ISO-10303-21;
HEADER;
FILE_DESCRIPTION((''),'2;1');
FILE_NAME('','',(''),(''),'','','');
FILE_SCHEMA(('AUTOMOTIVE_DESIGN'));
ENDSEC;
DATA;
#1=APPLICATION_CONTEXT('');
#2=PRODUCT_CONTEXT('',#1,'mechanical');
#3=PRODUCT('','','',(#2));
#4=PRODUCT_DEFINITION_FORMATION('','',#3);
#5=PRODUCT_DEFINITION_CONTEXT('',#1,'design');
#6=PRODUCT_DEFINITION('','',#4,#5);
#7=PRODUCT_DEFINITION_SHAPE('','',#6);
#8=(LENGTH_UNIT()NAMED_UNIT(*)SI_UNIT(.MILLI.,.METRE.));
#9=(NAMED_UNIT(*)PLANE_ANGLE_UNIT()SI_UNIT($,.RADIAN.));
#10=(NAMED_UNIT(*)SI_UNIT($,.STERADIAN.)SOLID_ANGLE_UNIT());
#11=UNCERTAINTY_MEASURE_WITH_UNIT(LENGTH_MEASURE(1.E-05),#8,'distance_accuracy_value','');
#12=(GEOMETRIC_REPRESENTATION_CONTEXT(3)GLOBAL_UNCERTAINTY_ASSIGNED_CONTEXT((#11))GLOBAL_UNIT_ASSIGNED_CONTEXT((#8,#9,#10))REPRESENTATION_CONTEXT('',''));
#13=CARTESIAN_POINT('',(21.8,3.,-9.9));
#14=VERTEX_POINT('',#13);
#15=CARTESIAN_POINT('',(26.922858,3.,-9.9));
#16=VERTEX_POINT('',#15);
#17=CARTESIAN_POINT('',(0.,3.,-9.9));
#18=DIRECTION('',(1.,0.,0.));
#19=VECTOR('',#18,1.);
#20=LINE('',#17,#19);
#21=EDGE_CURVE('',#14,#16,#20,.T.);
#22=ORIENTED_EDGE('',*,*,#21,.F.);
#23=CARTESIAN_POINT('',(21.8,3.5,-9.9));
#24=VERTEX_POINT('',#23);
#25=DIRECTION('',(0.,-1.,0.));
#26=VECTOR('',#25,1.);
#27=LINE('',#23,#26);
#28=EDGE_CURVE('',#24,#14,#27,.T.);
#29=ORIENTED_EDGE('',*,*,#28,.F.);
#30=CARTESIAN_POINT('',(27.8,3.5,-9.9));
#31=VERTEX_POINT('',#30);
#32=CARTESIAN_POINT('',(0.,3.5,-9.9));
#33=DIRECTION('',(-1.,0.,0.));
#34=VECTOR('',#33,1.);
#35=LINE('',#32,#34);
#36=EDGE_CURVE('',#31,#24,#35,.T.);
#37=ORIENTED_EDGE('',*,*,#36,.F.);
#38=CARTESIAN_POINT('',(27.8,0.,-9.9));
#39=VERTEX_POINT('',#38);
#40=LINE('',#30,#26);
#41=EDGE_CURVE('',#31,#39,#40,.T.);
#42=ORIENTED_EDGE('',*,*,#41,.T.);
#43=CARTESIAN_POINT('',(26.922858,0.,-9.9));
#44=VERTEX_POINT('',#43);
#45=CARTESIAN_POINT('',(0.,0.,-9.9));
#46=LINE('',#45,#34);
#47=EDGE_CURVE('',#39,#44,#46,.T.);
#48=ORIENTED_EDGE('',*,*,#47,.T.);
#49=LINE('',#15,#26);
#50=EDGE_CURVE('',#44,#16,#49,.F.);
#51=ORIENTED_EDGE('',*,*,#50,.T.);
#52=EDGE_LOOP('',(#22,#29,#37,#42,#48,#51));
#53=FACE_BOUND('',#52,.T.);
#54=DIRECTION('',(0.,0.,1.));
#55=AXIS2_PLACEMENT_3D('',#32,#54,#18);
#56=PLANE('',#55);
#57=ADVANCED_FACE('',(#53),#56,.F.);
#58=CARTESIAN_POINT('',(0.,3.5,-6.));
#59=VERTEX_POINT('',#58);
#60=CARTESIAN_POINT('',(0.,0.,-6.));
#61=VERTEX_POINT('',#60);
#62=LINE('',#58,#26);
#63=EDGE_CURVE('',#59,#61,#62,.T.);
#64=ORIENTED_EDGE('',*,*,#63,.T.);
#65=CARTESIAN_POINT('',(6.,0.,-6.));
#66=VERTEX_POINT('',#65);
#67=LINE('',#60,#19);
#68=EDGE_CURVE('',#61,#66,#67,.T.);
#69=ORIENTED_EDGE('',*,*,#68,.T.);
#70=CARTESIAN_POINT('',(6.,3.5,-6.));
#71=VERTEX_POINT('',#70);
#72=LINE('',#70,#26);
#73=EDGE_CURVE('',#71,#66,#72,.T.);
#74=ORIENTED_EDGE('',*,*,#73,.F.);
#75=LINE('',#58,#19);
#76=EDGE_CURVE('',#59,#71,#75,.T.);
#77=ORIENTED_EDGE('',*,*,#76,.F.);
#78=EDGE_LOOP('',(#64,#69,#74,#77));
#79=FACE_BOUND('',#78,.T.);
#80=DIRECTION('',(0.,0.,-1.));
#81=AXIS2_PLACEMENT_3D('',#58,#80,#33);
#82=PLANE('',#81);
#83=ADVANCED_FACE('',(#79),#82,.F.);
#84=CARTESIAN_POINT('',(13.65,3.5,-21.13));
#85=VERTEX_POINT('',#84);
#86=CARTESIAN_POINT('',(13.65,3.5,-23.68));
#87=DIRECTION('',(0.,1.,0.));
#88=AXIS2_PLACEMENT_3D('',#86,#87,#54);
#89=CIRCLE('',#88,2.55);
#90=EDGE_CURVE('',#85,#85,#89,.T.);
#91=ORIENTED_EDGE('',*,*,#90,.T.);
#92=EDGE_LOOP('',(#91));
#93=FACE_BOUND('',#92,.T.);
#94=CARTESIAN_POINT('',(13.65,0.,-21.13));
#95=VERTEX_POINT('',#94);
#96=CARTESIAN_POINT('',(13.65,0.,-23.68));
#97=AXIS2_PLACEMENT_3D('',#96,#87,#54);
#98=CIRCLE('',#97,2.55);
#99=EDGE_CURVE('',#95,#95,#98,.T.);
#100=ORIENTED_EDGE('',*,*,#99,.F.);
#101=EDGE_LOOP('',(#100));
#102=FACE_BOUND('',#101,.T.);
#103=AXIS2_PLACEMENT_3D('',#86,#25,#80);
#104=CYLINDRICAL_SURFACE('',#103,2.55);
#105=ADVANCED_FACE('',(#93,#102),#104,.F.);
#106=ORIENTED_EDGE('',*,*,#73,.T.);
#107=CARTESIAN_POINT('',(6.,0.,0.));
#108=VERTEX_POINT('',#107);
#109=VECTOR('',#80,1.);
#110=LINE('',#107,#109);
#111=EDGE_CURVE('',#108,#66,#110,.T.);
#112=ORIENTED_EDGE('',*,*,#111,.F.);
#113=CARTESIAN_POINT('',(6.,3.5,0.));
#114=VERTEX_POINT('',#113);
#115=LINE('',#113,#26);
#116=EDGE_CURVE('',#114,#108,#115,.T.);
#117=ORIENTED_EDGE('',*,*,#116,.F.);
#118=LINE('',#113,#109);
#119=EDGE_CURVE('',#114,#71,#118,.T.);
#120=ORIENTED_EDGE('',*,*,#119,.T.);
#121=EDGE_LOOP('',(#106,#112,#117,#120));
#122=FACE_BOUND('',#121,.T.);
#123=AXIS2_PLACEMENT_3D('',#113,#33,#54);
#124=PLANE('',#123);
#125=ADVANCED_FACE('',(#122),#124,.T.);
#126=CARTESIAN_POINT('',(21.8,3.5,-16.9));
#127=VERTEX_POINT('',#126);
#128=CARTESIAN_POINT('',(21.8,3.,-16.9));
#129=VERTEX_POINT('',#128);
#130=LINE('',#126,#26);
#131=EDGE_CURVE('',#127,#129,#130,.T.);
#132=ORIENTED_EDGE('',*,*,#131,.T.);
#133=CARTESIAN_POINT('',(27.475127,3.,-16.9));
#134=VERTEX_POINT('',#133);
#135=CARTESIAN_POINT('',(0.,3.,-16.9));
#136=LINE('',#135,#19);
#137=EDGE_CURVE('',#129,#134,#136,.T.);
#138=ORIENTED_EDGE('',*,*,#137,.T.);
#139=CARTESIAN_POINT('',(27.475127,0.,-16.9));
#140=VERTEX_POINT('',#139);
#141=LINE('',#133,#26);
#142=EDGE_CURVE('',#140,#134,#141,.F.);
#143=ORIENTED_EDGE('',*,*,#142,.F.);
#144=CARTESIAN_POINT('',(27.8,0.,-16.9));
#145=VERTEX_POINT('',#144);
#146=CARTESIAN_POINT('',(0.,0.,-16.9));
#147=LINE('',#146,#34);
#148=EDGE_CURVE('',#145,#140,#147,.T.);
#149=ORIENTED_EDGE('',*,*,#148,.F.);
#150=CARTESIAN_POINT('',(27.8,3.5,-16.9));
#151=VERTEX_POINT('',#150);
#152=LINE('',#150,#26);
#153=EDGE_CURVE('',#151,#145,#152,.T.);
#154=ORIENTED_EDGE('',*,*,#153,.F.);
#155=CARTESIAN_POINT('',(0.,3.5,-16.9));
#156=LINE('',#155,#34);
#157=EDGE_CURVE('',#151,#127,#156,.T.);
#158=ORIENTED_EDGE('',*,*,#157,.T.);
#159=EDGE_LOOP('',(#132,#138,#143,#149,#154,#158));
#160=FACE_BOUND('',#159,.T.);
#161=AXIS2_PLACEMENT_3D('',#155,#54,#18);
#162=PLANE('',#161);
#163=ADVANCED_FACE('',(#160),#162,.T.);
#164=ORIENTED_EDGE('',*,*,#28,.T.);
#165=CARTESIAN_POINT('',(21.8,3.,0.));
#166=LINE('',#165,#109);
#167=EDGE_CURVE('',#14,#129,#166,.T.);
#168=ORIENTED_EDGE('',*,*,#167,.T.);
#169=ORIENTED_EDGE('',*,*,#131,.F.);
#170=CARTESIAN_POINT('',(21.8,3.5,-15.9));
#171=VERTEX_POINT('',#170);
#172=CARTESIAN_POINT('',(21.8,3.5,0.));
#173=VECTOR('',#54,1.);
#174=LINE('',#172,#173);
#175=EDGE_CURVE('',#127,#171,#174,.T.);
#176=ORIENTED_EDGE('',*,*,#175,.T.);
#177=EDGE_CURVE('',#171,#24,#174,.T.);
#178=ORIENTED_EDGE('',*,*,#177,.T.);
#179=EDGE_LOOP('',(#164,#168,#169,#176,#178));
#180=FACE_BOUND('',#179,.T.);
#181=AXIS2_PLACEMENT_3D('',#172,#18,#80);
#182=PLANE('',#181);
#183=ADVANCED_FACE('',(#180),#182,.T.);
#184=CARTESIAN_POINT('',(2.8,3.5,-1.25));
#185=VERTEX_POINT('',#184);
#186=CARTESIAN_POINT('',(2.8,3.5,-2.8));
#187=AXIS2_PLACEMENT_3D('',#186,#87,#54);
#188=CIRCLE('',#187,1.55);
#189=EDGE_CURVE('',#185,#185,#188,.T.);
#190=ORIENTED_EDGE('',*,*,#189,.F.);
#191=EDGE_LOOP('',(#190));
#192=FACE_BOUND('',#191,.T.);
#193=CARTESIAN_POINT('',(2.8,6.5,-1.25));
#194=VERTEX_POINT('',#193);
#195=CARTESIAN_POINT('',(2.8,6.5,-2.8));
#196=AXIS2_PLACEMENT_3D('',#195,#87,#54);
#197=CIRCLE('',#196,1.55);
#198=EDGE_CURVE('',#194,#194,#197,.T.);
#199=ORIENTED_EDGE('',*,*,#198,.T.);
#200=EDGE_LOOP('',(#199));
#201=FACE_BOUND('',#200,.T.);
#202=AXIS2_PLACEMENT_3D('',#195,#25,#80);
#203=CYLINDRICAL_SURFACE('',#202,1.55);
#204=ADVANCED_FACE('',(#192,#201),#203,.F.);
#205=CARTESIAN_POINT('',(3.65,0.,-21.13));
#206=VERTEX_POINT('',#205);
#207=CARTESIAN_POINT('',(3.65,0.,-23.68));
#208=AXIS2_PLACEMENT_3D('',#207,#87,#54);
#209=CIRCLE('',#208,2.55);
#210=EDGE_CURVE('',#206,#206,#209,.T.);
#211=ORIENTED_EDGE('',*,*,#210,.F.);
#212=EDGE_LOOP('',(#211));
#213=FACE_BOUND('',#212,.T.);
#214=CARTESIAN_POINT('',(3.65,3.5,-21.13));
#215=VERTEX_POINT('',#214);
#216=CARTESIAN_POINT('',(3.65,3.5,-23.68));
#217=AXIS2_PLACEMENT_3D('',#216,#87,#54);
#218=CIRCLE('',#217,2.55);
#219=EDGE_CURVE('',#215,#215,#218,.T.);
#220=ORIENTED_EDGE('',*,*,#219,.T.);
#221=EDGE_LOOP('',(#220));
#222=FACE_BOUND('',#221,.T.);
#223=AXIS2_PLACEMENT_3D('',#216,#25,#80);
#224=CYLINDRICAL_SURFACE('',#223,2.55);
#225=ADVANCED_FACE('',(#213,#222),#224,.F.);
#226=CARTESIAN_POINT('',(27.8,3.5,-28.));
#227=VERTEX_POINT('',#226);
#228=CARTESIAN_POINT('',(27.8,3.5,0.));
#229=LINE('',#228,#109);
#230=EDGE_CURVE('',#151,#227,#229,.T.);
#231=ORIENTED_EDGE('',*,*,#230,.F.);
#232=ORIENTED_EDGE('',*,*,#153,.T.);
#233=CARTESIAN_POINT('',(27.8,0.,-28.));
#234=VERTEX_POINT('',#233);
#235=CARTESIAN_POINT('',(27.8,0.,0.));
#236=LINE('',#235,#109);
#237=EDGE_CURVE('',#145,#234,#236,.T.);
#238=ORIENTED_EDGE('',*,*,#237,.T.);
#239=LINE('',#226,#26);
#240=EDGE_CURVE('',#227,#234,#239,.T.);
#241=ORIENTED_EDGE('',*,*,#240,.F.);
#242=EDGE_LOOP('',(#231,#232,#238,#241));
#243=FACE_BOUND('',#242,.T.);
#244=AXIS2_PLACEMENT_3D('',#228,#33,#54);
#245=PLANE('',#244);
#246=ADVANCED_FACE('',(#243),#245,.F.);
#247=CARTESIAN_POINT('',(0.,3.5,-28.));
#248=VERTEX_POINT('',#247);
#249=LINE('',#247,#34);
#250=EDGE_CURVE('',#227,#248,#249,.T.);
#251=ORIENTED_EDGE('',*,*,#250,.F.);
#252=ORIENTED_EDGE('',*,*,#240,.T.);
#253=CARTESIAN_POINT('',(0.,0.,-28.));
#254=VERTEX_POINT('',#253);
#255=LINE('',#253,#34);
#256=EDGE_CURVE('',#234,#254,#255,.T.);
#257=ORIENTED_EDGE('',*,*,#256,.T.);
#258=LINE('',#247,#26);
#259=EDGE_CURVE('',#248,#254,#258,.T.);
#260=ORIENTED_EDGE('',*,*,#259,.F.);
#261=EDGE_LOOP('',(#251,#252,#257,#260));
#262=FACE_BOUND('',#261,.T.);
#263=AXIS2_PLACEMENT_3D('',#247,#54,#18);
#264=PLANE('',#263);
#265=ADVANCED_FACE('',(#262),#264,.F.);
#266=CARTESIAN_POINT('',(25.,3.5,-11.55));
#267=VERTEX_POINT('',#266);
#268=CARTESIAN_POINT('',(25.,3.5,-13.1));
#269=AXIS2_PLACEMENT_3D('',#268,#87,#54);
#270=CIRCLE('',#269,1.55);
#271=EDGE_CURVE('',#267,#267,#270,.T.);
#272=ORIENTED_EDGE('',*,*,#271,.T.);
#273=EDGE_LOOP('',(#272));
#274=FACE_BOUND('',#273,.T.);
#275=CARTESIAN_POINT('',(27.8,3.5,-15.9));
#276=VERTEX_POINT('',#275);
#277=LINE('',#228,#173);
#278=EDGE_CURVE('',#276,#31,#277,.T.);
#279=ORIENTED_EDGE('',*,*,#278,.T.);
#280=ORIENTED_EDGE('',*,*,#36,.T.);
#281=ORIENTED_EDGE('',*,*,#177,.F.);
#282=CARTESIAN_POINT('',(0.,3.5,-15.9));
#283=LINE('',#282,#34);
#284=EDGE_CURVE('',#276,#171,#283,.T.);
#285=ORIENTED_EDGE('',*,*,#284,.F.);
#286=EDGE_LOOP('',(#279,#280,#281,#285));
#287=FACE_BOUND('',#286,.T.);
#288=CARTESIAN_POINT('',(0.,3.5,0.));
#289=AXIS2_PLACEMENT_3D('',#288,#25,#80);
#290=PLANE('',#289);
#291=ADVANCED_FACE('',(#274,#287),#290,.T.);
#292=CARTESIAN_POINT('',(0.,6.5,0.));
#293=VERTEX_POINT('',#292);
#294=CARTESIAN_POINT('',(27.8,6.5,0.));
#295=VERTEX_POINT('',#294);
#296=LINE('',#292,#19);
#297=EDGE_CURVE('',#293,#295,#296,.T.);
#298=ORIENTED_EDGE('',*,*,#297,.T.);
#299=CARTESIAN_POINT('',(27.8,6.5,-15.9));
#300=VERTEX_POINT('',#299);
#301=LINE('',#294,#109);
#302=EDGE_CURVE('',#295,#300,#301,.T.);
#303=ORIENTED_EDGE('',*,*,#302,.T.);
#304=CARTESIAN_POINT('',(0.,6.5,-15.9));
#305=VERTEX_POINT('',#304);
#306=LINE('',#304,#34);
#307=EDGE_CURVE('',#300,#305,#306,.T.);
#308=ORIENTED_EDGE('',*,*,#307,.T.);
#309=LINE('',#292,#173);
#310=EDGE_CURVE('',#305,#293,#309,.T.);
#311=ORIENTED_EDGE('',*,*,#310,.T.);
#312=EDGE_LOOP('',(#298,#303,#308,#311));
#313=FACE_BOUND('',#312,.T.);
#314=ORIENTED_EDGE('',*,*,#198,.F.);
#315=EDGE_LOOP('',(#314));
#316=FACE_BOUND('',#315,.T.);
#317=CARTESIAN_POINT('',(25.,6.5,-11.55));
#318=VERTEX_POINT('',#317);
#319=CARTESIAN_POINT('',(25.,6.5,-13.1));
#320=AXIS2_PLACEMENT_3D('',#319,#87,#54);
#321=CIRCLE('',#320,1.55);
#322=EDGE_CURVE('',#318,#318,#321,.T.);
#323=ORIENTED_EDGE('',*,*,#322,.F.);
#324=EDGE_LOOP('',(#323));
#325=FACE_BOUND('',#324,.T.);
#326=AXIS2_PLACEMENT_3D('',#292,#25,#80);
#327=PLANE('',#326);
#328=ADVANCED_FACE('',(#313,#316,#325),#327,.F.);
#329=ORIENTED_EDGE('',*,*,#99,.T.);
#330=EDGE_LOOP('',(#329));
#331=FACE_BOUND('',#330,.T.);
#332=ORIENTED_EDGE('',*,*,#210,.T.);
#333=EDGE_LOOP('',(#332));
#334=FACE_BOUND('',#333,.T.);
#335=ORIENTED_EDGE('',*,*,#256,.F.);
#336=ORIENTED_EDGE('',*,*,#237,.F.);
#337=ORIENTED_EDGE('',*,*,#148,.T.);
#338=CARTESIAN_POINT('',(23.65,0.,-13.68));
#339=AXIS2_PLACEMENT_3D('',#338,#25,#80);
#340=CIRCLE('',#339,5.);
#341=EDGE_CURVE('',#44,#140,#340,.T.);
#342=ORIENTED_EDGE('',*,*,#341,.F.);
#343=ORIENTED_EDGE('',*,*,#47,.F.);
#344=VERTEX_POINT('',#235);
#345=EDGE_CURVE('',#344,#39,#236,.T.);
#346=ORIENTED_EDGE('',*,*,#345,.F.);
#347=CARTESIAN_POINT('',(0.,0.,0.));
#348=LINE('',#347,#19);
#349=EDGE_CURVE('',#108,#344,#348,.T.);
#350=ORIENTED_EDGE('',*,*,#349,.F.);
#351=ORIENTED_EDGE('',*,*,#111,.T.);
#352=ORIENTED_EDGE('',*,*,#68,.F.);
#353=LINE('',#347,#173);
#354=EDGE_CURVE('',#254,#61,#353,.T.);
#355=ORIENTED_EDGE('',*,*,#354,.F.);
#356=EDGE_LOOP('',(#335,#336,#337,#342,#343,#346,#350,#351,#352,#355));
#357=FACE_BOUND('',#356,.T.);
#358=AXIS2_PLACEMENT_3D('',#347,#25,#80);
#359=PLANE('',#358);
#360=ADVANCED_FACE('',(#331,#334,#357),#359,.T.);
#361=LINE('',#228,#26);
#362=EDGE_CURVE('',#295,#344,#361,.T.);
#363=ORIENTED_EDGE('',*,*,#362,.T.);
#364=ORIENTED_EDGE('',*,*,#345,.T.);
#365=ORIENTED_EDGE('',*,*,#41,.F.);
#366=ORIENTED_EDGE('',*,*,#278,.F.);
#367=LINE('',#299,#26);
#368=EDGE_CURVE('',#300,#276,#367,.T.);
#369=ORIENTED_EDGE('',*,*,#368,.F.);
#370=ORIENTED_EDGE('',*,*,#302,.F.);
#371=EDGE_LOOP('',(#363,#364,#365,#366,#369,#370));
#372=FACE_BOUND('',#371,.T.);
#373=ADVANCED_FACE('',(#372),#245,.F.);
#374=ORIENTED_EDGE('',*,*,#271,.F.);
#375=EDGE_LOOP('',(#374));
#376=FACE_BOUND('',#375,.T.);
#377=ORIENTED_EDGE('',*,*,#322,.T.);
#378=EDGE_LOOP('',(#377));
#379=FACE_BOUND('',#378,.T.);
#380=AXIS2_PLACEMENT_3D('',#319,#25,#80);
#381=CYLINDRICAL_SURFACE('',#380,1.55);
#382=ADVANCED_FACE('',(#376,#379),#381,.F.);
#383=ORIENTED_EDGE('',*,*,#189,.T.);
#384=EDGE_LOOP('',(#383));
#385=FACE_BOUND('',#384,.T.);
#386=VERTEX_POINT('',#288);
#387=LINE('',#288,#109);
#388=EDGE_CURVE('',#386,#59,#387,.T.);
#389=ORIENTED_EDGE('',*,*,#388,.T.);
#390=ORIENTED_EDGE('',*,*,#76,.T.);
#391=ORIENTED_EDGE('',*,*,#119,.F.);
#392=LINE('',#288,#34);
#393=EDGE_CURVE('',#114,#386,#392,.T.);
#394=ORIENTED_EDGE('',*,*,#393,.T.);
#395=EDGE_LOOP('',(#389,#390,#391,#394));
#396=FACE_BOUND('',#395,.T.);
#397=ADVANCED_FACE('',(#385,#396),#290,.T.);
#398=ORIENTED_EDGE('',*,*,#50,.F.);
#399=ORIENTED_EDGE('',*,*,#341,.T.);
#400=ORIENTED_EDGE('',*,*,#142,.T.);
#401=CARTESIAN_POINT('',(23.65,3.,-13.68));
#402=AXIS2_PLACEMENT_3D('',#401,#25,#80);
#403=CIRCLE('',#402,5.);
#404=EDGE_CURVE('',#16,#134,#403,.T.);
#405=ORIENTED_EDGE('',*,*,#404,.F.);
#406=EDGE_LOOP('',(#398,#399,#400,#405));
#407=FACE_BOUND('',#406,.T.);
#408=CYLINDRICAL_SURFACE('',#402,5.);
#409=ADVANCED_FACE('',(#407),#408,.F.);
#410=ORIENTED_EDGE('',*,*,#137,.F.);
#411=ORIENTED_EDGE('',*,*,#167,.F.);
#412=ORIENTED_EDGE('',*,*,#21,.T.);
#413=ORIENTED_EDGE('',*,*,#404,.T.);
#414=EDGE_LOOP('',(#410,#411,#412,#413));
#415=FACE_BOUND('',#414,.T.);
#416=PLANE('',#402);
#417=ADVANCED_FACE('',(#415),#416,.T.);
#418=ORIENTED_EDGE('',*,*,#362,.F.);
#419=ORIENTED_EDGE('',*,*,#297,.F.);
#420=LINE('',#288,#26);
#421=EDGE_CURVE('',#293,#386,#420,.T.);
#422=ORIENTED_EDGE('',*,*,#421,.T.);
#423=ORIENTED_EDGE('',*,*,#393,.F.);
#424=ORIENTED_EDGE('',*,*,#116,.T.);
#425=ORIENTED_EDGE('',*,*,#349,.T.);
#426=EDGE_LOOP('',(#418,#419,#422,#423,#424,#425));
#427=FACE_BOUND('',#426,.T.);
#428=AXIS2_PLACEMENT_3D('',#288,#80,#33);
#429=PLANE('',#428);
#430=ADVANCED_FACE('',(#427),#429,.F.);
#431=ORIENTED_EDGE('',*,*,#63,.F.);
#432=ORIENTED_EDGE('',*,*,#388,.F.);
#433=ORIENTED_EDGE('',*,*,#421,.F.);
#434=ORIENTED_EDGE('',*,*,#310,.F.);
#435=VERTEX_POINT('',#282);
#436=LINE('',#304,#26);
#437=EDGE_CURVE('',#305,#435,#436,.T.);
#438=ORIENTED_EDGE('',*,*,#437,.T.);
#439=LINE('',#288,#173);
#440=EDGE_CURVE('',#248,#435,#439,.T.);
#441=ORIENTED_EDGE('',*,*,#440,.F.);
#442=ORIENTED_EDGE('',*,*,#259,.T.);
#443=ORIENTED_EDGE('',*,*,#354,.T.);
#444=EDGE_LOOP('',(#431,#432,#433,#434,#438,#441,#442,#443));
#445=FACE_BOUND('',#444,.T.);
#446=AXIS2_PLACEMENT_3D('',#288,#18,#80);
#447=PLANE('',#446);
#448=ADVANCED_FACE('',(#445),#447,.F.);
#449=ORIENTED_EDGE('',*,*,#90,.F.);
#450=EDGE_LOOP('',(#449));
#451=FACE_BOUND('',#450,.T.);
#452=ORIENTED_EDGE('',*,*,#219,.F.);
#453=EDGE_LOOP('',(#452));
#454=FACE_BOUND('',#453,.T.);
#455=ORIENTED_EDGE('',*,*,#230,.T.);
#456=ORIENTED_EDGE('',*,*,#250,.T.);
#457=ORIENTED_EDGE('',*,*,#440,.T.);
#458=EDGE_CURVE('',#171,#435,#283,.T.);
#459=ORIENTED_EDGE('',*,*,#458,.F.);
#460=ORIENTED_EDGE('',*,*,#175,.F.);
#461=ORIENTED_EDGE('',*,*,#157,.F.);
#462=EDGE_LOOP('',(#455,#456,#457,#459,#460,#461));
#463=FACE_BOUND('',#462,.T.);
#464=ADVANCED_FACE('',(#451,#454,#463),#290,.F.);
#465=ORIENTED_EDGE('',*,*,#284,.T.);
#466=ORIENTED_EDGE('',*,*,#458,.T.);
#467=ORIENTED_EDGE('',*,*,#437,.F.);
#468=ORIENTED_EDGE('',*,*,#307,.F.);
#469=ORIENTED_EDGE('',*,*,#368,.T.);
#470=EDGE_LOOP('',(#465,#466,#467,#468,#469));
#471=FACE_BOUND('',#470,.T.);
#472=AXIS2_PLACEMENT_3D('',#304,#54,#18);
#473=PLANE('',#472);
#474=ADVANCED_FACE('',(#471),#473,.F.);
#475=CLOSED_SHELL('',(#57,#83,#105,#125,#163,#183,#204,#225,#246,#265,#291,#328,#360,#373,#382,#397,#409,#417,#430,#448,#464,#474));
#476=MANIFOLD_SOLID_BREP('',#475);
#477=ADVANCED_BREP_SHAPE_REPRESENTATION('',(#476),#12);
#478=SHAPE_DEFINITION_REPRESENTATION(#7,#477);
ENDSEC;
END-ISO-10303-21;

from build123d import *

# Parameters (mm, degrees)
SKETCH1_W           = 27.8
SKETCH1_H           = 28
SKETCH1_R           = 2.55
BOSS_EXTRUDE1_DEPTH = 3.5
SKETCH2_W           = 27.8
SKETCH2_H           = 15.9
SKETCH2_R           = 1.55
BOSS_EXTRUDE2_DEPTH = 3
SKETCH3_W           = 6
SKETCH3_H           = 6
CUT_EXTRUDE5_DEPTH  = 3.5
SKETCH4_W           = 6
SKETCH4_H           = 6
SKETCH4_H_2         = 1
CUT_EXTRUDE7_DEPTH  = 3.5
SKETCH5_R           = 2.55
SKETCH5_R_2         = 5
CUT_EXTRUDE8_DEPTH  = 3


with BuildPart() as part:
    # Sketch1 → Boss-Extrude1 (new body)
    with BuildSketch(Plane(origin=(0, 0, 0), x_dir=(1, 0, 0), z_dir=(0, 1, 0))):
        with Locations((13.9, 14)):
            Rectangle(SKETCH1_W, SKETCH1_H)
        with Locations(Location((13.65, 23.68, 0), (0, 0, 270))):
            Circle(SKETCH1_R, mode=Mode.SUBTRACT)
        with Locations(Location((3.65, 23.68, 0), (0, 0, 270))):
            Circle(SKETCH1_R, mode=Mode.SUBTRACT)
    extrude(amount=BOSS_EXTRUDE1_DEPTH)

    # Sketch2 → Boss-Extrude2 (add)
    with BuildSketch(Plane(origin=(0, 3.5, 0), x_dir=(1, 0, 0), z_dir=(0, 1, 0))):
        with Locations((13.9, 7.95)):
            Rectangle(SKETCH2_W, SKETCH2_H)
        with Locations(Location((2.8, 2.8, 0), (0, 0, 270))):
            Circle(SKETCH2_R, mode=Mode.SUBTRACT)
        with Locations(Location((25, 13.1, 0), (0, 0, 270))):
            Circle(SKETCH2_R, mode=Mode.SUBTRACT)
    extrude(amount=BOSS_EXTRUDE2_DEPTH)

    # Sketch3 → Cut-Extrude5 (cut)
    with BuildSketch(Plane.XZ):
        with Locations((3, -3)):
            Rectangle(SKETCH3_W, SKETCH3_H)
    extrude(amount=-CUT_EXTRUDE5_DEPTH, mode=Mode.SUBTRACT)

    # Sketch4 → Cut-Extrude7 (cut)
    with BuildSketch(Plane.XZ):
        with Locations((24.8, -12.9)):
            Rectangle(SKETCH4_W, SKETCH4_H)
        with Locations((24.8, -16.4)):
            Rectangle(SKETCH4_W, SKETCH4_H_2)
    extrude(amount=-CUT_EXTRUDE7_DEPTH, mode=Mode.SUBTRACT)

    # Sketch5 → Cut-Extrude8 (cut)
    with BuildSketch(Plane.XZ):
        with Locations(Location((13.65, -23.68, 0), (0, 0, 90))):
            Circle(SKETCH5_R)
        with Locations((23.65, -13.68)):
            Circle(SKETCH5_R_2)
    extrude(amount=-CUT_EXTRUDE8_DEPTH, mode=Mode.SUBTRACT)


solid = part.part
